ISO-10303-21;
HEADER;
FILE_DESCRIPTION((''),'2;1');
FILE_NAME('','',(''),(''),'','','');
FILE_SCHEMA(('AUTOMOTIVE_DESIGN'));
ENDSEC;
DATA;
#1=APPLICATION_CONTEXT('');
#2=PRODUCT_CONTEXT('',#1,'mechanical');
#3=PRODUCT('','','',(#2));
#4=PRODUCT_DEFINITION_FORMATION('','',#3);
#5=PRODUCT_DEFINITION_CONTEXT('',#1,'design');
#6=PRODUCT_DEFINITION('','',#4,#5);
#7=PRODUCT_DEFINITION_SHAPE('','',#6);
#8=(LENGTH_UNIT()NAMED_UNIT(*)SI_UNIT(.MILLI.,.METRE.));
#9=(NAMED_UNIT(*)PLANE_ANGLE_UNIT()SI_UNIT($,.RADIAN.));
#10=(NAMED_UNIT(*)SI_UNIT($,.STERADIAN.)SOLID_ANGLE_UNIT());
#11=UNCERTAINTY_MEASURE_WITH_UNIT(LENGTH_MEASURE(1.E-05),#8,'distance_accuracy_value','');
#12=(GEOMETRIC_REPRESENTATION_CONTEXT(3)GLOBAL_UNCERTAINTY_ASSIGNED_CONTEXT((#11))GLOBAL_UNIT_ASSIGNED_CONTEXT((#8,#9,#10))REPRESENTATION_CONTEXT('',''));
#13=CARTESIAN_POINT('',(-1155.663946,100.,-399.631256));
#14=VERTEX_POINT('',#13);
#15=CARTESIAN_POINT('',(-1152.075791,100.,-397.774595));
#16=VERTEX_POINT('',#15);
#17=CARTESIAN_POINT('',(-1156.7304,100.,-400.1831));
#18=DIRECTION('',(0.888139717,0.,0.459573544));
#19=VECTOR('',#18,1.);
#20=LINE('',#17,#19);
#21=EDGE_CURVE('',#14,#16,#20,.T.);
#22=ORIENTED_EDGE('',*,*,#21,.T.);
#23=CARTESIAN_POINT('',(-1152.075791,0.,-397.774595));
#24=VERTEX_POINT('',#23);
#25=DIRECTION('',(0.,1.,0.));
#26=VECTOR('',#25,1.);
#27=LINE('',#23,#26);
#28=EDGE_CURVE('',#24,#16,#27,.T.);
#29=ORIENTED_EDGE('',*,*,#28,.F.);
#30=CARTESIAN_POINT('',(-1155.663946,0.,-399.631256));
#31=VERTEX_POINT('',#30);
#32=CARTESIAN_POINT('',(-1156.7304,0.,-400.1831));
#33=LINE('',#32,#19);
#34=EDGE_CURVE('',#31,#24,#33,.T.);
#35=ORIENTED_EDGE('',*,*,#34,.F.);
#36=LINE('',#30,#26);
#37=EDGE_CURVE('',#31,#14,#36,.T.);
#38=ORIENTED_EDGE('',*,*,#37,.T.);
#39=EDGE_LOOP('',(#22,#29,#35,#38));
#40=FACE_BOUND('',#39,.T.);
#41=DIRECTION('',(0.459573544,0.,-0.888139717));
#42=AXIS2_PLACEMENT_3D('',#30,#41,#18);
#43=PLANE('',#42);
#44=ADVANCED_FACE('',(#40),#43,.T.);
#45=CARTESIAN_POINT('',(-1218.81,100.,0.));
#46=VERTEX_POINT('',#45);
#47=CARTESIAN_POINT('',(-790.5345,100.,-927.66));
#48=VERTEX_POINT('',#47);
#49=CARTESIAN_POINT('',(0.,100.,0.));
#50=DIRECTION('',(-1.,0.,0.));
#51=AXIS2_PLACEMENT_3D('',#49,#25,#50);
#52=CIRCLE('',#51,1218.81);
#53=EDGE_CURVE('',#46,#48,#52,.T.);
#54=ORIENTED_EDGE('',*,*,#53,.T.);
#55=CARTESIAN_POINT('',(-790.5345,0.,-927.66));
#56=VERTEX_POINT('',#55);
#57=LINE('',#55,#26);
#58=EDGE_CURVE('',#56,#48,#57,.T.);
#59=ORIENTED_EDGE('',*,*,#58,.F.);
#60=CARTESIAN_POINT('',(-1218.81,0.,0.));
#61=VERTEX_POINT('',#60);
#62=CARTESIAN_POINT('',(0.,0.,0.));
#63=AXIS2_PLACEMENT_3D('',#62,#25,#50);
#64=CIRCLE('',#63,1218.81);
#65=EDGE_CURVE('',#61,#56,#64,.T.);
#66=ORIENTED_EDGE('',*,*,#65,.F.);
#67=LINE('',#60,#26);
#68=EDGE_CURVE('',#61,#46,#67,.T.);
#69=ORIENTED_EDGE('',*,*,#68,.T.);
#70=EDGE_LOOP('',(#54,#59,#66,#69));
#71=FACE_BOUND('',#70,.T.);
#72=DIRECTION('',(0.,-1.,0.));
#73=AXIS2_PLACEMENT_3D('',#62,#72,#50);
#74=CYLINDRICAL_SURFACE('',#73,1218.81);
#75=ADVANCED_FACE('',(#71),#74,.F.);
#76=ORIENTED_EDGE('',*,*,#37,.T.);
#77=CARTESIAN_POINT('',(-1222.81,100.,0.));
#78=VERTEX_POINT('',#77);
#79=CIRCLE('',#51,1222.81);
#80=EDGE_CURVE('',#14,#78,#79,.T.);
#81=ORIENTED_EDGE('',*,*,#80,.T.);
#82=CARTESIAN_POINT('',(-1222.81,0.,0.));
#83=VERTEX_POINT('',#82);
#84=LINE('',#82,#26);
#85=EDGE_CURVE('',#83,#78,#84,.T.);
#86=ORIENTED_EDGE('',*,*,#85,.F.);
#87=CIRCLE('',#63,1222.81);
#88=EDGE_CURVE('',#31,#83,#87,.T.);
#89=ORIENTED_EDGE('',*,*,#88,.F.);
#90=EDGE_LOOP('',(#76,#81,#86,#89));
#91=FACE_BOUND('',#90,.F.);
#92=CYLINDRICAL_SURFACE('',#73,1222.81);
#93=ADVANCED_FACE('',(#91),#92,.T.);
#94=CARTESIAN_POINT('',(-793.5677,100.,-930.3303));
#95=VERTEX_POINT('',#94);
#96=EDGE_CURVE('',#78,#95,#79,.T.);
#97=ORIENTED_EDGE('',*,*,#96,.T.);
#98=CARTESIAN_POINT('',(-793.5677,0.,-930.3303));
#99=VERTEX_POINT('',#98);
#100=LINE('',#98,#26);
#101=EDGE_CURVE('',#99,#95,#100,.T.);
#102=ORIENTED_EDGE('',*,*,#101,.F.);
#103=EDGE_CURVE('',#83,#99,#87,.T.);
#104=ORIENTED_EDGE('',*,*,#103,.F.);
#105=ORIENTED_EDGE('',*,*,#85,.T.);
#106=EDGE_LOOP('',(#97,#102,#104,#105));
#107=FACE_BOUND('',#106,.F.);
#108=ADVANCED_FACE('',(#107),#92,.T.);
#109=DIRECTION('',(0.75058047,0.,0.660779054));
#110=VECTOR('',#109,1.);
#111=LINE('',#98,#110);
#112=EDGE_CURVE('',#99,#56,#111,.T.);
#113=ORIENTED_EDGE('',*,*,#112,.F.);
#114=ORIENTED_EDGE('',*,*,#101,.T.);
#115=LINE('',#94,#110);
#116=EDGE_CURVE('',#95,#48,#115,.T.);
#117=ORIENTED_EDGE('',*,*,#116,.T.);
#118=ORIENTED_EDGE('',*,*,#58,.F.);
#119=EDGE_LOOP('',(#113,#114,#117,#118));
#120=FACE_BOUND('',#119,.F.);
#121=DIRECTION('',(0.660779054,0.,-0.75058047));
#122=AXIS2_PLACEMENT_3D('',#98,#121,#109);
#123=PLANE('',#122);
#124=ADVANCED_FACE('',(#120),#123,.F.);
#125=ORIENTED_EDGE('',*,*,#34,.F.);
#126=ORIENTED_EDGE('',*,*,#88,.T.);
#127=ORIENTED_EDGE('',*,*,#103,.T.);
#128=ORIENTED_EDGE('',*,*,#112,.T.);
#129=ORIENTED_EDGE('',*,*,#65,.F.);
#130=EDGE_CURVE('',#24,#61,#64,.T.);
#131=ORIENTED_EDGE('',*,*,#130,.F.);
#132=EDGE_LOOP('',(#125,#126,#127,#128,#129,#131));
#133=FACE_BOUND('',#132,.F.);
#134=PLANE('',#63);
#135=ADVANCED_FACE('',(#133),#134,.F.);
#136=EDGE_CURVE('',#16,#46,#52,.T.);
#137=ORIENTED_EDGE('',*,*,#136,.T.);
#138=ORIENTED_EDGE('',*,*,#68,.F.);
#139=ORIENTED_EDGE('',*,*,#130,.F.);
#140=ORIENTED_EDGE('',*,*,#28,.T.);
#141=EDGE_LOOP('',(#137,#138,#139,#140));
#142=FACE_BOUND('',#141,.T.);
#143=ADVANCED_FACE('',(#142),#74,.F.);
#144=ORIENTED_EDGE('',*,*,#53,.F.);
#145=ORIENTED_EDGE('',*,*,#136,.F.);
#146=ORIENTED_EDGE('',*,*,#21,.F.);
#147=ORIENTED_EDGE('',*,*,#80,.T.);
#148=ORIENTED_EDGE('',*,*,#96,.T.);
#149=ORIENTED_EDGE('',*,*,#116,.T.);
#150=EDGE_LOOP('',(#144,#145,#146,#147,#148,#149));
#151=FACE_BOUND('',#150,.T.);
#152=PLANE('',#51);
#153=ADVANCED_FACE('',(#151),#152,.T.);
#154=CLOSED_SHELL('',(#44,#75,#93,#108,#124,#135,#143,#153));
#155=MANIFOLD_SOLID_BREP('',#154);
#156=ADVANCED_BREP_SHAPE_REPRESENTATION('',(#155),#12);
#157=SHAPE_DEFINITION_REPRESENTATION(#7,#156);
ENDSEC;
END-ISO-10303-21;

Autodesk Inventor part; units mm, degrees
ref_plane "YZ Plane" through (0, 0, 0) normal (1, 0, 0) x (0, 1, 0)
ref_plane "XZ Plane" through (0, 0, 0) normal (0, 1, 0) x (-1, 0, 0)
ref_plane "XY Plane" through (0, 0, 0) normal (0, 0, 1) x (1, 0, 0)
sketch "Sketch1" plane through (0, 0, 0) normal (0, 1, 0) x (-1, 0, 0)
  circle A0 centre (0, 0) radius 1218.81
  circle A1 centre (0, 0) radius 1222.81
  dimension "d0" = 2437.62
  dimension "d1" = 2445.62
extrude "Extrusion1" add sketch "Sketch1" along normal blind 100
sketch "Sketch2" plane through (0, 0, 0) normal (0, -1, 0) x (1, 0, 0)
  line L0 (-1152.0758, -397.7746) -> (-847.4557, -240.1463) projected
  line L1 (-532.6414, -700.6187) -> (-790.0726, -927.2533) projected
  circle A0 centre (0, 0) radius 1222.81 projected
  line L2 (-793.5677, -930.3303) -> (-790.5345, -927.66)
  circle A1 centre (0, 0) radius 1218.81 projected
  line L3 (-1156.7304, -400.1831) -> (-1151.0362, -397.2366)
  point P0 (-1155.6639, -399.6313)
  point P1 (-1152.0738, -397.7735)
extrude "Extrusion2" cut sketch "Sketch2" against normal blind 100 contours A0 L3 A1 L2 picked at (-803.1153, -918.3043)
properties part number "Edge Band - Platform C Outer" material "Wood (Birch)"
